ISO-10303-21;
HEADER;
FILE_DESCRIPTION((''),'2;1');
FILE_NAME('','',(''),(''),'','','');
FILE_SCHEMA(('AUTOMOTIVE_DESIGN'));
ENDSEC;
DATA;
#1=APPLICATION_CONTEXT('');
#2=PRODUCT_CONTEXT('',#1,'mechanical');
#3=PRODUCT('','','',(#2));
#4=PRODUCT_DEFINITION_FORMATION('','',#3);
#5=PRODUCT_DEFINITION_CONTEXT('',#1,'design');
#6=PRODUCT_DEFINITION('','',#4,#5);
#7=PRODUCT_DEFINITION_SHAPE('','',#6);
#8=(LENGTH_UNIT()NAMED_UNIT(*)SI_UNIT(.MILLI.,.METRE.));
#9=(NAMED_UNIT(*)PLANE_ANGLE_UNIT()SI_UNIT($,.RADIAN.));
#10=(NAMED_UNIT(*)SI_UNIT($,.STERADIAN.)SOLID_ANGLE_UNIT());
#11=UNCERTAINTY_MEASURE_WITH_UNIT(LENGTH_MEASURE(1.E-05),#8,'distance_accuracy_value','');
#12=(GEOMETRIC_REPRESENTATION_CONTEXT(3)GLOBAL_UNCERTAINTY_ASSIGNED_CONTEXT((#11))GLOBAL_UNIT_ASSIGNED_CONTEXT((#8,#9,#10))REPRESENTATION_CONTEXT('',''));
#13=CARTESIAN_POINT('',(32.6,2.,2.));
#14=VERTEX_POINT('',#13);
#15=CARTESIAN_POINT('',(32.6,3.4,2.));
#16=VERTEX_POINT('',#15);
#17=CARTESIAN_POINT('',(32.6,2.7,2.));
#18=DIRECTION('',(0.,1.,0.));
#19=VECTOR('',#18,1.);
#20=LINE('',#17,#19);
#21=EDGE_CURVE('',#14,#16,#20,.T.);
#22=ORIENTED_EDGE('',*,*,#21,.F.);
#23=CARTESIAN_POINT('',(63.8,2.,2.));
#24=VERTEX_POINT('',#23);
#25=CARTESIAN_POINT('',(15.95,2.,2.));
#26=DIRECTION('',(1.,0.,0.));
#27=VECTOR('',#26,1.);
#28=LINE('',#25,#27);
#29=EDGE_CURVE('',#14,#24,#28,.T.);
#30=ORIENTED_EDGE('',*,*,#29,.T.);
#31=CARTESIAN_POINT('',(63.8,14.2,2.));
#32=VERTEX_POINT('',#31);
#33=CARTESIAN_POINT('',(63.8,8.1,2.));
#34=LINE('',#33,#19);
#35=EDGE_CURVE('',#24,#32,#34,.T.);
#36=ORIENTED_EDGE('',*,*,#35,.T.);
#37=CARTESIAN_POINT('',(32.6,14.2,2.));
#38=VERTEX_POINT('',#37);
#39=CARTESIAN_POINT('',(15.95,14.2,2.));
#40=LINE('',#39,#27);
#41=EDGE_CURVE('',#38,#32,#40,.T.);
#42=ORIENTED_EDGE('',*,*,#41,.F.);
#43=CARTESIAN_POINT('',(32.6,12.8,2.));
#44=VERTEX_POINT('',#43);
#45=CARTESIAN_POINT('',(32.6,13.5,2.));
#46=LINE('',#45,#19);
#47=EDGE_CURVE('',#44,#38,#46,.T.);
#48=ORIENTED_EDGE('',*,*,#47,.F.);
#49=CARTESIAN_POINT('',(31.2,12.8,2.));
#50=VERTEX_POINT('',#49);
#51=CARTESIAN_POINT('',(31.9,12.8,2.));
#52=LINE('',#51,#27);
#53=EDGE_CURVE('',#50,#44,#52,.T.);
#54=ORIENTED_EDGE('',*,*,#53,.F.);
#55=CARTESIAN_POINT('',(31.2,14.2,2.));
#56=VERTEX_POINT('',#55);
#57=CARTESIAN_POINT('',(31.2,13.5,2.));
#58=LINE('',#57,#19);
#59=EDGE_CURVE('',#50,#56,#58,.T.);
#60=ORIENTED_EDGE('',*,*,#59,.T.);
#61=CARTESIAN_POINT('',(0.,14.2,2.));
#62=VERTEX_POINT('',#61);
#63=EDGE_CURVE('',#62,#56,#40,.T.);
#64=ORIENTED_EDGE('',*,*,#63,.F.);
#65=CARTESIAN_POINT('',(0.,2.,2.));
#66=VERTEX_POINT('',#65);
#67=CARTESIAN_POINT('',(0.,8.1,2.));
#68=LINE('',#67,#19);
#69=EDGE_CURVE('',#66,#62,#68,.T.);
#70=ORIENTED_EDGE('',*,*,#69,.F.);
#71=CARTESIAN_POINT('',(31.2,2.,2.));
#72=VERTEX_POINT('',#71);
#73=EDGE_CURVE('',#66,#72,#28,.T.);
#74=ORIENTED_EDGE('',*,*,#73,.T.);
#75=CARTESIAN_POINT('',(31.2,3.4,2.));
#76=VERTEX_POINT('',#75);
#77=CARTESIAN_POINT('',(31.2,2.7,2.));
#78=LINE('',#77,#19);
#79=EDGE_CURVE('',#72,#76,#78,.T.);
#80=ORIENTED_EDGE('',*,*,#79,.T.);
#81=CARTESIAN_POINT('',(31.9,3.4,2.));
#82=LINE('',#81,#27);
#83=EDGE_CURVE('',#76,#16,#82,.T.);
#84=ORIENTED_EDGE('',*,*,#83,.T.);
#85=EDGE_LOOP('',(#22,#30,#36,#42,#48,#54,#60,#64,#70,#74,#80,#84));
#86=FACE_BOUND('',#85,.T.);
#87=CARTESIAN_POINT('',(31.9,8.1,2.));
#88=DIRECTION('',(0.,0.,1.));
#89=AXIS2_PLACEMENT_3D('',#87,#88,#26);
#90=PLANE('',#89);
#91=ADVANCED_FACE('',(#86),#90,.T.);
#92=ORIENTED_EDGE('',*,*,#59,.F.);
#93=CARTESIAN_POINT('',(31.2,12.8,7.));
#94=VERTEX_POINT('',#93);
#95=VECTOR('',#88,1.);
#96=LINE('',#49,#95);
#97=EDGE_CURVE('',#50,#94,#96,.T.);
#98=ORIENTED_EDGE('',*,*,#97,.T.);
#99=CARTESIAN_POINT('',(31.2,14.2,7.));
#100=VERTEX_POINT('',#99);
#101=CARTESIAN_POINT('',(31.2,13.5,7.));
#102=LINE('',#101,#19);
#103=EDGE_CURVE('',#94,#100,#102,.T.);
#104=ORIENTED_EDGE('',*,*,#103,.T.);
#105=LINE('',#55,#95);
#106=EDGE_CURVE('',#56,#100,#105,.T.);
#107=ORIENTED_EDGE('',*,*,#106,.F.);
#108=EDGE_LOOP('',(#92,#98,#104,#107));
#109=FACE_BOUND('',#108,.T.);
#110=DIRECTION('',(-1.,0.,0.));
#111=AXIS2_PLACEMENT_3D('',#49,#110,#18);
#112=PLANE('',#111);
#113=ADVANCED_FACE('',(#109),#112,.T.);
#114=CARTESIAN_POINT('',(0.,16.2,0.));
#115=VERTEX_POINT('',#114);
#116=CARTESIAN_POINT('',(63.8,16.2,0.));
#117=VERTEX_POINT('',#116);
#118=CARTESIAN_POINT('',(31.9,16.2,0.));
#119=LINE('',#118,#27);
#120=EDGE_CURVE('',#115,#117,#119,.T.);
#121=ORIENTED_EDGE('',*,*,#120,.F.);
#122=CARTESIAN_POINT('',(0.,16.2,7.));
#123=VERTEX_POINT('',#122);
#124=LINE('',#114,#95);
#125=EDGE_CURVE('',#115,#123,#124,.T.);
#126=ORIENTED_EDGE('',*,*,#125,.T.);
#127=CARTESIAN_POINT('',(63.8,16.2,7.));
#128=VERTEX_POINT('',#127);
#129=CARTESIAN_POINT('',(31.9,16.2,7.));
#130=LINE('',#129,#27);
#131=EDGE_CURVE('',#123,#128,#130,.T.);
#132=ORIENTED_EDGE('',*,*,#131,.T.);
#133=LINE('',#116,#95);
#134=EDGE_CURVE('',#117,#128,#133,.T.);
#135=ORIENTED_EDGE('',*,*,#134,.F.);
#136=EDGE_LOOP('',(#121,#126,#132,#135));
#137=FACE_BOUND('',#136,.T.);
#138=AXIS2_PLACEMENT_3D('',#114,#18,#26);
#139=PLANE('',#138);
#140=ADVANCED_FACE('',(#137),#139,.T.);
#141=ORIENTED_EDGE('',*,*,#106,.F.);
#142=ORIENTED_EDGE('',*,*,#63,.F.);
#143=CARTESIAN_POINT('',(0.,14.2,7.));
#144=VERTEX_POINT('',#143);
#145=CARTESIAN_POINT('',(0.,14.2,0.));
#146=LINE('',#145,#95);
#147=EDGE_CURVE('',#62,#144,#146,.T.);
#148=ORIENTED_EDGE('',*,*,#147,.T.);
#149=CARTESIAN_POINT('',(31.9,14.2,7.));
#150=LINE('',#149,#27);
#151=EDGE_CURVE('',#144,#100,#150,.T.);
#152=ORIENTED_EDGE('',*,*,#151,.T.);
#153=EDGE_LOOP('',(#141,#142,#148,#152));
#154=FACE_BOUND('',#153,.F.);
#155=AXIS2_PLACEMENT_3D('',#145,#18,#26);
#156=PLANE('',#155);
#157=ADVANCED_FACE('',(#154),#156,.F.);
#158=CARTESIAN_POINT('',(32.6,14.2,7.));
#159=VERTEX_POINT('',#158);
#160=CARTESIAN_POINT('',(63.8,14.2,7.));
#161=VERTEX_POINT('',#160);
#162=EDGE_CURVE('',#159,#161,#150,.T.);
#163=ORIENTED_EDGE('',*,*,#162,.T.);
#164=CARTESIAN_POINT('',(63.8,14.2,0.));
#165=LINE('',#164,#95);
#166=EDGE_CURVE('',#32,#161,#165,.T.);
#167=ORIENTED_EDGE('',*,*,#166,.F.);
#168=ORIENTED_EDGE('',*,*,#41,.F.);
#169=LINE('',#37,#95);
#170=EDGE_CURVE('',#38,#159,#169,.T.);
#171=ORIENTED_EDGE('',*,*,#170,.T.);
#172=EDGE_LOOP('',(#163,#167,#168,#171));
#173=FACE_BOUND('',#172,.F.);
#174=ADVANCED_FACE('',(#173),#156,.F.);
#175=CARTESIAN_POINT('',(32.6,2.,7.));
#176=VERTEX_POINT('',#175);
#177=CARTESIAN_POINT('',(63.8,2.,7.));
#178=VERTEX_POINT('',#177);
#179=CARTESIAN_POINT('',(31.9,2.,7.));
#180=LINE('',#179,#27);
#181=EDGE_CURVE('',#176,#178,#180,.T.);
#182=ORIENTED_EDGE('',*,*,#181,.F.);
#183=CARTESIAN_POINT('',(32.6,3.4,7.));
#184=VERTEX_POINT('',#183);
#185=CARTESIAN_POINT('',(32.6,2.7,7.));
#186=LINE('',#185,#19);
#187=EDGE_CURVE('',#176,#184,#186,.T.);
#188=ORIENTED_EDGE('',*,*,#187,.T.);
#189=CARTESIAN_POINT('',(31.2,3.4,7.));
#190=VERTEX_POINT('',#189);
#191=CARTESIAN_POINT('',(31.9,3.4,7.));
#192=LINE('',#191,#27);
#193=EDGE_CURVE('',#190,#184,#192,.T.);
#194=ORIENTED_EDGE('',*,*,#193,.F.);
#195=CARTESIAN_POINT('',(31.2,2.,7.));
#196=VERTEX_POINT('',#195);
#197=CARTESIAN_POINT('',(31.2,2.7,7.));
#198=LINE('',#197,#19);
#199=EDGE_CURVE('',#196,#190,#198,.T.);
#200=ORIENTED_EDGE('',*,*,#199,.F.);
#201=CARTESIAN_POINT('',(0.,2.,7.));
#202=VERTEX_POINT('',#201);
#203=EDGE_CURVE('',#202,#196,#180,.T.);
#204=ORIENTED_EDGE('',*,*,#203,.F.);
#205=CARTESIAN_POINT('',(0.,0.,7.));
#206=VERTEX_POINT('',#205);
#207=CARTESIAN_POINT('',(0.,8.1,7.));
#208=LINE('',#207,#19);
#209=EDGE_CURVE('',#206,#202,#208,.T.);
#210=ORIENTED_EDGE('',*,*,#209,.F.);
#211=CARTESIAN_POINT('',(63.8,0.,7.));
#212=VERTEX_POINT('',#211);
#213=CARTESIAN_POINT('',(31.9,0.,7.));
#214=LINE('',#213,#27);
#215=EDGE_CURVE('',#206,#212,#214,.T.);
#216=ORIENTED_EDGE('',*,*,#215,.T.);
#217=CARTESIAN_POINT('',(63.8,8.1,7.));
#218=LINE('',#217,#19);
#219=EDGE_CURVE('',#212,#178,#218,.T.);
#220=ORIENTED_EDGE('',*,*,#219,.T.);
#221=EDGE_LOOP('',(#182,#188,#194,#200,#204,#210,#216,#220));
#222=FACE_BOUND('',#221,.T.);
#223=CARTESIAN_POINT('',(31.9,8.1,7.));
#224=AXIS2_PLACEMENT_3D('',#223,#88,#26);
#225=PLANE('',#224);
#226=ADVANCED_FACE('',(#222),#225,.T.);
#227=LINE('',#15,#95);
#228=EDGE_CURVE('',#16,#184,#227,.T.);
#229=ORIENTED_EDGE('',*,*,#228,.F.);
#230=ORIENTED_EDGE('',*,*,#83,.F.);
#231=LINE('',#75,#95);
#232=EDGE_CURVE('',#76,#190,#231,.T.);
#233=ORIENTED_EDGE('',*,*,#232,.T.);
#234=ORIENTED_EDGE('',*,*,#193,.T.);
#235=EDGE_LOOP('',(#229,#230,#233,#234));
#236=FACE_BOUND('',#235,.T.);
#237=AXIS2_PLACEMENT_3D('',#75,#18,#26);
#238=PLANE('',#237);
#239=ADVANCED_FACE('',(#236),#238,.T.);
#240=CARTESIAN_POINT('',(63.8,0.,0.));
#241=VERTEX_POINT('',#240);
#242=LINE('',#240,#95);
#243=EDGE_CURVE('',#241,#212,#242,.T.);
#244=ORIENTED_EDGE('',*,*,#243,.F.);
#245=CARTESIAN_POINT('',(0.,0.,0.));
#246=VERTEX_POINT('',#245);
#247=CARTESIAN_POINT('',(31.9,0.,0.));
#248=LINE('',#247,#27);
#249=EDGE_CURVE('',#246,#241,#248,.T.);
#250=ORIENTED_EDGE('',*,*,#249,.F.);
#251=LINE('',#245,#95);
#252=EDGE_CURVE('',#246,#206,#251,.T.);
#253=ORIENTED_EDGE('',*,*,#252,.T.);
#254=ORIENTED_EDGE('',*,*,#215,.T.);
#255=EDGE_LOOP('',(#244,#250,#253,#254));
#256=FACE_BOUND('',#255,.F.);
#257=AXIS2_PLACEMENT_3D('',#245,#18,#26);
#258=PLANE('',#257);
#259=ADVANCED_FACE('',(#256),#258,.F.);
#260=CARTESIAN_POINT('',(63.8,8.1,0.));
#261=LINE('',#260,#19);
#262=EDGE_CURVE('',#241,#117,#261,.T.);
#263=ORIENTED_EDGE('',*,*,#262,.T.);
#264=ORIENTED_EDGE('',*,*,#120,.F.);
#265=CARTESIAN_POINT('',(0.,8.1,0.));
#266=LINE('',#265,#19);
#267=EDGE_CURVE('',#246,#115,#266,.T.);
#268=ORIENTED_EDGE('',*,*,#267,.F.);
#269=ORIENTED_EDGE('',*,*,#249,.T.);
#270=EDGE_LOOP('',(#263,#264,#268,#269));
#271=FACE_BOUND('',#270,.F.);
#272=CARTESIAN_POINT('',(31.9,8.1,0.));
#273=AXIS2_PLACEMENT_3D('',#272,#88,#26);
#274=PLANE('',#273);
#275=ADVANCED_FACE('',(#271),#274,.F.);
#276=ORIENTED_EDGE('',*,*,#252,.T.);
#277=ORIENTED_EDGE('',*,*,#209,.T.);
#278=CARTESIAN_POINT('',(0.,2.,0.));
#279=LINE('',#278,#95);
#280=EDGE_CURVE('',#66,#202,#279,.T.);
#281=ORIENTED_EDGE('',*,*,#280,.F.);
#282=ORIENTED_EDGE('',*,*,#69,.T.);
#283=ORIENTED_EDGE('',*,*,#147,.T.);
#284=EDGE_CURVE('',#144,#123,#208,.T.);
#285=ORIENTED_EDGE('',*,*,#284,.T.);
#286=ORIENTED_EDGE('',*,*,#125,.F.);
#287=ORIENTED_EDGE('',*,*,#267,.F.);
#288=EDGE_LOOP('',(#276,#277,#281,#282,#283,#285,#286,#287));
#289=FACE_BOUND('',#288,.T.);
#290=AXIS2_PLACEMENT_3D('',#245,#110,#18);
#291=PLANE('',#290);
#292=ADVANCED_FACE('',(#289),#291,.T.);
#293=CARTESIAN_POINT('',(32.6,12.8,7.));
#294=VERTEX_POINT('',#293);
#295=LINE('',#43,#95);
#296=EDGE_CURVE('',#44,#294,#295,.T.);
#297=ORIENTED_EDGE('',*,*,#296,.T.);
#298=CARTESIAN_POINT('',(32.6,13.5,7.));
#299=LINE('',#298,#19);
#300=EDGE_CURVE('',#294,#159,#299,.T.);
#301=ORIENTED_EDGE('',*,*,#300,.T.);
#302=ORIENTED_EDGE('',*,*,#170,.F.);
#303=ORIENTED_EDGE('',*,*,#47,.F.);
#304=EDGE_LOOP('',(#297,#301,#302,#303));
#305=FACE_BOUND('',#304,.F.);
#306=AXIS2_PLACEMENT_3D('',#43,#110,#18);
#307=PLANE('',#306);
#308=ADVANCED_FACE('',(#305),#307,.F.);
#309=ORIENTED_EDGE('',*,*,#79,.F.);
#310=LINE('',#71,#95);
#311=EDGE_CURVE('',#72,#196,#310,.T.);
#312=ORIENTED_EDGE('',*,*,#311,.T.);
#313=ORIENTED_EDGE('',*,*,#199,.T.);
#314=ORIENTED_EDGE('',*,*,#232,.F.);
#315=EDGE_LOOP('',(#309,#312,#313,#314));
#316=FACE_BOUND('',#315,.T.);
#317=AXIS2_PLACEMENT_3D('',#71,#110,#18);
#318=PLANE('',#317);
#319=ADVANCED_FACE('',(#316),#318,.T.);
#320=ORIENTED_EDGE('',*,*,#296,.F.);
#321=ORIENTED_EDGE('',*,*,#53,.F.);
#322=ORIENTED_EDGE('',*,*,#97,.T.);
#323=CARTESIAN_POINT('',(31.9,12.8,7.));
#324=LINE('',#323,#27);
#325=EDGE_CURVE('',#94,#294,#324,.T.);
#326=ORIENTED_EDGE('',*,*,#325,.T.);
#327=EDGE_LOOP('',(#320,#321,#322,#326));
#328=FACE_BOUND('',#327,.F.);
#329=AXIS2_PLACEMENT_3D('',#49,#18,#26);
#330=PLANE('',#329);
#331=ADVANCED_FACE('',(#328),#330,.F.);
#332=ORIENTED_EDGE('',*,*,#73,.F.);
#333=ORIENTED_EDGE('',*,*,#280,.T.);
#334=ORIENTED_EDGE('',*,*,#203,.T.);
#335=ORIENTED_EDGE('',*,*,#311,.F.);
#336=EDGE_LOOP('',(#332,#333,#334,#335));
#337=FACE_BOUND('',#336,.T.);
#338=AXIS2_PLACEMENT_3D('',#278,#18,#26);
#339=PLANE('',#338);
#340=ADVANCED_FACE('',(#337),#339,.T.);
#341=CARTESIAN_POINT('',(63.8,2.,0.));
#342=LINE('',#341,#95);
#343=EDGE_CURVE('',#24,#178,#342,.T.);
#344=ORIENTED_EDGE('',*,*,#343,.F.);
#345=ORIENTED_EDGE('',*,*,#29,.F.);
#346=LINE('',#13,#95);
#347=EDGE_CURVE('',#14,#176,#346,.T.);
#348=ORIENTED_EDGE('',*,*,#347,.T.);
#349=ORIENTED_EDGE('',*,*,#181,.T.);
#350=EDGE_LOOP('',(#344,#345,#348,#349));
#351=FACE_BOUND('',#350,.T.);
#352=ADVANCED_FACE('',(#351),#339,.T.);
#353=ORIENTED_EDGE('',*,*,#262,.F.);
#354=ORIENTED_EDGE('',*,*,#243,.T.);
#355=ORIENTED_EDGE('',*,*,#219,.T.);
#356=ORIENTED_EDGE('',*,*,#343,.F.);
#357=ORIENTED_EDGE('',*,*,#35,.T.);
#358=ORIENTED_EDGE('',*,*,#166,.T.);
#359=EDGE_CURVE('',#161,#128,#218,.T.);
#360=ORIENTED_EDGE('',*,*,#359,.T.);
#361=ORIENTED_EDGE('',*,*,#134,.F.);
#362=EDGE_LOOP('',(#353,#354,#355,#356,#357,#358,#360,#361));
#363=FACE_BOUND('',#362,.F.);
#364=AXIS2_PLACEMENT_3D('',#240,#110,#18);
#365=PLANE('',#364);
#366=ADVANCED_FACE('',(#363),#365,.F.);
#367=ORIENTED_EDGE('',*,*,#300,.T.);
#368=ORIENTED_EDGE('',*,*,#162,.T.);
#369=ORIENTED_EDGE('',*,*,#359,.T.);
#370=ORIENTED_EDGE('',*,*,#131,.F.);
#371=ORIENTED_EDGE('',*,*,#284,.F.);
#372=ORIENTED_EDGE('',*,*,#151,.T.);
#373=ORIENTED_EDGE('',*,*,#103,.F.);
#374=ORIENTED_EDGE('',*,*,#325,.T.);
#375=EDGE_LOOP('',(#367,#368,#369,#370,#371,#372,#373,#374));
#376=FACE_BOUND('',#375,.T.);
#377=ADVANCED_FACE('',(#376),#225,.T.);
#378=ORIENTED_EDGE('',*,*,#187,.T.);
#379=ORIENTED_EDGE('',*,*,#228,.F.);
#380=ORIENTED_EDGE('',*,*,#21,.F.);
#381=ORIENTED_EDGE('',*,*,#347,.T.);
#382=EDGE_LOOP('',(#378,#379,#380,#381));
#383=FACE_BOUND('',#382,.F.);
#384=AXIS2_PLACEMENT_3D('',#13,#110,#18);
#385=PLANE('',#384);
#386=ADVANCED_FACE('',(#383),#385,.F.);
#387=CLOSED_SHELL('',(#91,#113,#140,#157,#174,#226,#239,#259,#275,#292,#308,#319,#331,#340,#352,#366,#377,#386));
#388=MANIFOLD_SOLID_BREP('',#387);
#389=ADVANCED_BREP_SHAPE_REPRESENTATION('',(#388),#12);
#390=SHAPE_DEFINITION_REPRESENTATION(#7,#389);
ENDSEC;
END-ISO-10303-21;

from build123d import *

# Parameters (mm, degrees)
SKETCH_W     = 63.8
SKETCH_H     = 16.2
PAD_DEPTH    = 7
THICKNESS_T  = -2
SKETCH001_W  = 1.4
SKETCH001_H  = 1.4
PAD001_DEPTH = 5


with BuildPart() as part:
    # Sketch → Pad (new body)
    with BuildSketch(Plane.XY):
        with Locations((31.9, 8.1)):
            Rectangle(SKETCH_W, SKETCH_H)
    extrude(amount=PAD_DEPTH)

    # Thickness
    thickness_openings = [part.faces().sort_by_distance(p)[0] for p in [
        (31.9, 8.1, 7),
        (63.8, 8.1, 3.5),
        (0, 8.1, 3.5),
    ]]
    offset(amount=THICKNESS_T, openings=thickness_openings)

    # Sketch001 (on Face10 of Thickness) → Pad001 (join)
    with BuildSketch(Plane.XY.offset(2)):
        with Locations((31.9, 13.5)):
            Rectangle(SKETCH001_W, SKETCH001_H)
        with Locations((31.9, 2.7)):
            Rectangle(SKETCH001_W, SKETCH001_H)
    extrude(amount=PAD001_DEPTH)


solid = part.part
